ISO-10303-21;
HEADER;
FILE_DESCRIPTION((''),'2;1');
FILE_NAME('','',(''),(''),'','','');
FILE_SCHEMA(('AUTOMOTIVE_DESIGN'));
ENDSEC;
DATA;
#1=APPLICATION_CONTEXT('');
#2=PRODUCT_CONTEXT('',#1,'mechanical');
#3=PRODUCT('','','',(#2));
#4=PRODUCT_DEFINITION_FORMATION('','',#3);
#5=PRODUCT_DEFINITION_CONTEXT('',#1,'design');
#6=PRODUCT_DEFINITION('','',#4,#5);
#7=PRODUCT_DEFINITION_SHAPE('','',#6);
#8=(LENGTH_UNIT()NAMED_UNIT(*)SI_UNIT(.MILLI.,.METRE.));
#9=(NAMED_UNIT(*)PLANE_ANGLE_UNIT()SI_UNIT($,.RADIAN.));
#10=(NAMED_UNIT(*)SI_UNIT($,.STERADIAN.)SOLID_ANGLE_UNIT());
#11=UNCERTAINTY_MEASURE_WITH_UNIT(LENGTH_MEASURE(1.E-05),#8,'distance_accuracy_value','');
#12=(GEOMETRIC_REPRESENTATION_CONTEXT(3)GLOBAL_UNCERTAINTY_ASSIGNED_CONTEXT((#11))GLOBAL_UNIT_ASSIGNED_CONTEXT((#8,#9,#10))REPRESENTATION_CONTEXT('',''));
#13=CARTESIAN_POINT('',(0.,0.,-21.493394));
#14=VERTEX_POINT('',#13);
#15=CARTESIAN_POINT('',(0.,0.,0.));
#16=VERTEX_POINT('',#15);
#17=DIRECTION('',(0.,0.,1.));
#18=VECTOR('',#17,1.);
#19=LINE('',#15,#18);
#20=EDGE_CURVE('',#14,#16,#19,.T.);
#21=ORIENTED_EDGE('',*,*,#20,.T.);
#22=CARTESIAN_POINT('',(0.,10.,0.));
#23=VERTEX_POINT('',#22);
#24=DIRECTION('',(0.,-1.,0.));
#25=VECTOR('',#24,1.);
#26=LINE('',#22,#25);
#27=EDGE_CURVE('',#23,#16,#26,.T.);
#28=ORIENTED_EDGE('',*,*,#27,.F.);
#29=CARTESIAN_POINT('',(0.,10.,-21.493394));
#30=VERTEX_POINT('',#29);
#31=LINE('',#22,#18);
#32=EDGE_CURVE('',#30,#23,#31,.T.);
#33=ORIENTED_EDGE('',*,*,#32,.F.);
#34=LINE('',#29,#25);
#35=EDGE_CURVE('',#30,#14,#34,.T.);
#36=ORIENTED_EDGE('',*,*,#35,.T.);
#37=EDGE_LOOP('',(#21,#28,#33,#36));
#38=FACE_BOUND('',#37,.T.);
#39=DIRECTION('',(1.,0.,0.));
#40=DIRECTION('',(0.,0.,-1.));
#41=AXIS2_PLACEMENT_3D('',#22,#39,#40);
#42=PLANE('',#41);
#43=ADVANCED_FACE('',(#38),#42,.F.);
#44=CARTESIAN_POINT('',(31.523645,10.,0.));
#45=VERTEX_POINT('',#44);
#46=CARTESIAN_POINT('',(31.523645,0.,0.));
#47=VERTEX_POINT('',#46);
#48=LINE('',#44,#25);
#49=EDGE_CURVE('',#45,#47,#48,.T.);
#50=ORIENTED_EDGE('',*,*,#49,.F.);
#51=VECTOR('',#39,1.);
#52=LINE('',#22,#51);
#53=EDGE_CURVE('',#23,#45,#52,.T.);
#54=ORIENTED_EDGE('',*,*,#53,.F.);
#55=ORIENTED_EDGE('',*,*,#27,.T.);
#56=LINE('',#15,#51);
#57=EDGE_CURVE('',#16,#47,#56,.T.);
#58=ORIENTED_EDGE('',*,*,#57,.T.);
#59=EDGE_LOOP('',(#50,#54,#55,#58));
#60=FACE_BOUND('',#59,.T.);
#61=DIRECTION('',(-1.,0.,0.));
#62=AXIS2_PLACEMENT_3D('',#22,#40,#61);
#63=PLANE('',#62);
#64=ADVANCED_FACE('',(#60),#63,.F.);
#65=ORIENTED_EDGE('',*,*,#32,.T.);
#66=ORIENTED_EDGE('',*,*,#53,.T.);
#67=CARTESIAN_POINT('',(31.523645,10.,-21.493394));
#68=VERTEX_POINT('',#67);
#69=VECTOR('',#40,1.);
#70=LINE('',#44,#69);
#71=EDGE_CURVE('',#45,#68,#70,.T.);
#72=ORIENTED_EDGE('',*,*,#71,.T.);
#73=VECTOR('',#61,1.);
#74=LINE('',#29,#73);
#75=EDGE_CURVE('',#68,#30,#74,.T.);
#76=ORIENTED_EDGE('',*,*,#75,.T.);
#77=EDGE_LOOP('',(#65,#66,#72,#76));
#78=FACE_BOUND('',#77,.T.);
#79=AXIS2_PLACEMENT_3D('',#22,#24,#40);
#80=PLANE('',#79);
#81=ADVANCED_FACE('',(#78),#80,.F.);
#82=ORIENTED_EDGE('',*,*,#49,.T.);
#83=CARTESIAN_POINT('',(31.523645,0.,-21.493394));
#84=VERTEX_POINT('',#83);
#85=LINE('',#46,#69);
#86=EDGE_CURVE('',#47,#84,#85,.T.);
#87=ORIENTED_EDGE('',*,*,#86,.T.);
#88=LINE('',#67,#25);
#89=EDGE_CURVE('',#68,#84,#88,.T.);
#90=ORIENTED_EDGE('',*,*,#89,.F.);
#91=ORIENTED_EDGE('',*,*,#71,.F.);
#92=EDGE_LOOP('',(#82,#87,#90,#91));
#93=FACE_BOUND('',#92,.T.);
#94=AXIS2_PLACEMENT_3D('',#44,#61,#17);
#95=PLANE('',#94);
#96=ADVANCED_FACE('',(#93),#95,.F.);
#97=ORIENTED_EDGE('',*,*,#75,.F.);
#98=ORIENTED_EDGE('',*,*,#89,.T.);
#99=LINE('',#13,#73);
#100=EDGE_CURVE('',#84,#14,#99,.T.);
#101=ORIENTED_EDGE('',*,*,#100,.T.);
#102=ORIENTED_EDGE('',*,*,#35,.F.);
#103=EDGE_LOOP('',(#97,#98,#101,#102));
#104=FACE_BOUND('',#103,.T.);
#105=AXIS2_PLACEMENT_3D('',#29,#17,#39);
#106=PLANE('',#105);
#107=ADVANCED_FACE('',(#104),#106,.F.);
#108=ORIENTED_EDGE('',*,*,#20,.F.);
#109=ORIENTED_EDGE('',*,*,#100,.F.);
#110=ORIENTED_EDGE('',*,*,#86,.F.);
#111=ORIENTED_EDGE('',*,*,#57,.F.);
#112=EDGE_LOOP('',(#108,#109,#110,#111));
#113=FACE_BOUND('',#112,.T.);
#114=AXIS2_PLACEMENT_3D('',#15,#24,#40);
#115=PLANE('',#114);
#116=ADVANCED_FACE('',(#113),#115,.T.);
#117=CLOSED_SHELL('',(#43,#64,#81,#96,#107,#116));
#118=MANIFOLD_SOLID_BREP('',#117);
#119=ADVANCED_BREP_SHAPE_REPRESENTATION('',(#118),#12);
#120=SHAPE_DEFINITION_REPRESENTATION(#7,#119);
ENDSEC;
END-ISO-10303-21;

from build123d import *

# Parameters (mm, degrees)
SKETCH_1_W      = 31.523645178
SKETCH_1_H      = 21.493394439
EXTRUDE_1_DEPTH = 10


with BuildPart() as part:
    # Эскиз1 → Бобышка-Вытянуть1 (new body)
    with BuildSketch(Plane(origin=(0, 0, 0), x_dir=(1, 0, 0), z_dir=(0, 1, 0))):
        with Locations((15.761822589, 10.74669722)):
            Rectangle(SKETCH_1_W, SKETCH_1_H)
    extrude(amount=EXTRUDE_1_DEPTH)


solid = part.part
